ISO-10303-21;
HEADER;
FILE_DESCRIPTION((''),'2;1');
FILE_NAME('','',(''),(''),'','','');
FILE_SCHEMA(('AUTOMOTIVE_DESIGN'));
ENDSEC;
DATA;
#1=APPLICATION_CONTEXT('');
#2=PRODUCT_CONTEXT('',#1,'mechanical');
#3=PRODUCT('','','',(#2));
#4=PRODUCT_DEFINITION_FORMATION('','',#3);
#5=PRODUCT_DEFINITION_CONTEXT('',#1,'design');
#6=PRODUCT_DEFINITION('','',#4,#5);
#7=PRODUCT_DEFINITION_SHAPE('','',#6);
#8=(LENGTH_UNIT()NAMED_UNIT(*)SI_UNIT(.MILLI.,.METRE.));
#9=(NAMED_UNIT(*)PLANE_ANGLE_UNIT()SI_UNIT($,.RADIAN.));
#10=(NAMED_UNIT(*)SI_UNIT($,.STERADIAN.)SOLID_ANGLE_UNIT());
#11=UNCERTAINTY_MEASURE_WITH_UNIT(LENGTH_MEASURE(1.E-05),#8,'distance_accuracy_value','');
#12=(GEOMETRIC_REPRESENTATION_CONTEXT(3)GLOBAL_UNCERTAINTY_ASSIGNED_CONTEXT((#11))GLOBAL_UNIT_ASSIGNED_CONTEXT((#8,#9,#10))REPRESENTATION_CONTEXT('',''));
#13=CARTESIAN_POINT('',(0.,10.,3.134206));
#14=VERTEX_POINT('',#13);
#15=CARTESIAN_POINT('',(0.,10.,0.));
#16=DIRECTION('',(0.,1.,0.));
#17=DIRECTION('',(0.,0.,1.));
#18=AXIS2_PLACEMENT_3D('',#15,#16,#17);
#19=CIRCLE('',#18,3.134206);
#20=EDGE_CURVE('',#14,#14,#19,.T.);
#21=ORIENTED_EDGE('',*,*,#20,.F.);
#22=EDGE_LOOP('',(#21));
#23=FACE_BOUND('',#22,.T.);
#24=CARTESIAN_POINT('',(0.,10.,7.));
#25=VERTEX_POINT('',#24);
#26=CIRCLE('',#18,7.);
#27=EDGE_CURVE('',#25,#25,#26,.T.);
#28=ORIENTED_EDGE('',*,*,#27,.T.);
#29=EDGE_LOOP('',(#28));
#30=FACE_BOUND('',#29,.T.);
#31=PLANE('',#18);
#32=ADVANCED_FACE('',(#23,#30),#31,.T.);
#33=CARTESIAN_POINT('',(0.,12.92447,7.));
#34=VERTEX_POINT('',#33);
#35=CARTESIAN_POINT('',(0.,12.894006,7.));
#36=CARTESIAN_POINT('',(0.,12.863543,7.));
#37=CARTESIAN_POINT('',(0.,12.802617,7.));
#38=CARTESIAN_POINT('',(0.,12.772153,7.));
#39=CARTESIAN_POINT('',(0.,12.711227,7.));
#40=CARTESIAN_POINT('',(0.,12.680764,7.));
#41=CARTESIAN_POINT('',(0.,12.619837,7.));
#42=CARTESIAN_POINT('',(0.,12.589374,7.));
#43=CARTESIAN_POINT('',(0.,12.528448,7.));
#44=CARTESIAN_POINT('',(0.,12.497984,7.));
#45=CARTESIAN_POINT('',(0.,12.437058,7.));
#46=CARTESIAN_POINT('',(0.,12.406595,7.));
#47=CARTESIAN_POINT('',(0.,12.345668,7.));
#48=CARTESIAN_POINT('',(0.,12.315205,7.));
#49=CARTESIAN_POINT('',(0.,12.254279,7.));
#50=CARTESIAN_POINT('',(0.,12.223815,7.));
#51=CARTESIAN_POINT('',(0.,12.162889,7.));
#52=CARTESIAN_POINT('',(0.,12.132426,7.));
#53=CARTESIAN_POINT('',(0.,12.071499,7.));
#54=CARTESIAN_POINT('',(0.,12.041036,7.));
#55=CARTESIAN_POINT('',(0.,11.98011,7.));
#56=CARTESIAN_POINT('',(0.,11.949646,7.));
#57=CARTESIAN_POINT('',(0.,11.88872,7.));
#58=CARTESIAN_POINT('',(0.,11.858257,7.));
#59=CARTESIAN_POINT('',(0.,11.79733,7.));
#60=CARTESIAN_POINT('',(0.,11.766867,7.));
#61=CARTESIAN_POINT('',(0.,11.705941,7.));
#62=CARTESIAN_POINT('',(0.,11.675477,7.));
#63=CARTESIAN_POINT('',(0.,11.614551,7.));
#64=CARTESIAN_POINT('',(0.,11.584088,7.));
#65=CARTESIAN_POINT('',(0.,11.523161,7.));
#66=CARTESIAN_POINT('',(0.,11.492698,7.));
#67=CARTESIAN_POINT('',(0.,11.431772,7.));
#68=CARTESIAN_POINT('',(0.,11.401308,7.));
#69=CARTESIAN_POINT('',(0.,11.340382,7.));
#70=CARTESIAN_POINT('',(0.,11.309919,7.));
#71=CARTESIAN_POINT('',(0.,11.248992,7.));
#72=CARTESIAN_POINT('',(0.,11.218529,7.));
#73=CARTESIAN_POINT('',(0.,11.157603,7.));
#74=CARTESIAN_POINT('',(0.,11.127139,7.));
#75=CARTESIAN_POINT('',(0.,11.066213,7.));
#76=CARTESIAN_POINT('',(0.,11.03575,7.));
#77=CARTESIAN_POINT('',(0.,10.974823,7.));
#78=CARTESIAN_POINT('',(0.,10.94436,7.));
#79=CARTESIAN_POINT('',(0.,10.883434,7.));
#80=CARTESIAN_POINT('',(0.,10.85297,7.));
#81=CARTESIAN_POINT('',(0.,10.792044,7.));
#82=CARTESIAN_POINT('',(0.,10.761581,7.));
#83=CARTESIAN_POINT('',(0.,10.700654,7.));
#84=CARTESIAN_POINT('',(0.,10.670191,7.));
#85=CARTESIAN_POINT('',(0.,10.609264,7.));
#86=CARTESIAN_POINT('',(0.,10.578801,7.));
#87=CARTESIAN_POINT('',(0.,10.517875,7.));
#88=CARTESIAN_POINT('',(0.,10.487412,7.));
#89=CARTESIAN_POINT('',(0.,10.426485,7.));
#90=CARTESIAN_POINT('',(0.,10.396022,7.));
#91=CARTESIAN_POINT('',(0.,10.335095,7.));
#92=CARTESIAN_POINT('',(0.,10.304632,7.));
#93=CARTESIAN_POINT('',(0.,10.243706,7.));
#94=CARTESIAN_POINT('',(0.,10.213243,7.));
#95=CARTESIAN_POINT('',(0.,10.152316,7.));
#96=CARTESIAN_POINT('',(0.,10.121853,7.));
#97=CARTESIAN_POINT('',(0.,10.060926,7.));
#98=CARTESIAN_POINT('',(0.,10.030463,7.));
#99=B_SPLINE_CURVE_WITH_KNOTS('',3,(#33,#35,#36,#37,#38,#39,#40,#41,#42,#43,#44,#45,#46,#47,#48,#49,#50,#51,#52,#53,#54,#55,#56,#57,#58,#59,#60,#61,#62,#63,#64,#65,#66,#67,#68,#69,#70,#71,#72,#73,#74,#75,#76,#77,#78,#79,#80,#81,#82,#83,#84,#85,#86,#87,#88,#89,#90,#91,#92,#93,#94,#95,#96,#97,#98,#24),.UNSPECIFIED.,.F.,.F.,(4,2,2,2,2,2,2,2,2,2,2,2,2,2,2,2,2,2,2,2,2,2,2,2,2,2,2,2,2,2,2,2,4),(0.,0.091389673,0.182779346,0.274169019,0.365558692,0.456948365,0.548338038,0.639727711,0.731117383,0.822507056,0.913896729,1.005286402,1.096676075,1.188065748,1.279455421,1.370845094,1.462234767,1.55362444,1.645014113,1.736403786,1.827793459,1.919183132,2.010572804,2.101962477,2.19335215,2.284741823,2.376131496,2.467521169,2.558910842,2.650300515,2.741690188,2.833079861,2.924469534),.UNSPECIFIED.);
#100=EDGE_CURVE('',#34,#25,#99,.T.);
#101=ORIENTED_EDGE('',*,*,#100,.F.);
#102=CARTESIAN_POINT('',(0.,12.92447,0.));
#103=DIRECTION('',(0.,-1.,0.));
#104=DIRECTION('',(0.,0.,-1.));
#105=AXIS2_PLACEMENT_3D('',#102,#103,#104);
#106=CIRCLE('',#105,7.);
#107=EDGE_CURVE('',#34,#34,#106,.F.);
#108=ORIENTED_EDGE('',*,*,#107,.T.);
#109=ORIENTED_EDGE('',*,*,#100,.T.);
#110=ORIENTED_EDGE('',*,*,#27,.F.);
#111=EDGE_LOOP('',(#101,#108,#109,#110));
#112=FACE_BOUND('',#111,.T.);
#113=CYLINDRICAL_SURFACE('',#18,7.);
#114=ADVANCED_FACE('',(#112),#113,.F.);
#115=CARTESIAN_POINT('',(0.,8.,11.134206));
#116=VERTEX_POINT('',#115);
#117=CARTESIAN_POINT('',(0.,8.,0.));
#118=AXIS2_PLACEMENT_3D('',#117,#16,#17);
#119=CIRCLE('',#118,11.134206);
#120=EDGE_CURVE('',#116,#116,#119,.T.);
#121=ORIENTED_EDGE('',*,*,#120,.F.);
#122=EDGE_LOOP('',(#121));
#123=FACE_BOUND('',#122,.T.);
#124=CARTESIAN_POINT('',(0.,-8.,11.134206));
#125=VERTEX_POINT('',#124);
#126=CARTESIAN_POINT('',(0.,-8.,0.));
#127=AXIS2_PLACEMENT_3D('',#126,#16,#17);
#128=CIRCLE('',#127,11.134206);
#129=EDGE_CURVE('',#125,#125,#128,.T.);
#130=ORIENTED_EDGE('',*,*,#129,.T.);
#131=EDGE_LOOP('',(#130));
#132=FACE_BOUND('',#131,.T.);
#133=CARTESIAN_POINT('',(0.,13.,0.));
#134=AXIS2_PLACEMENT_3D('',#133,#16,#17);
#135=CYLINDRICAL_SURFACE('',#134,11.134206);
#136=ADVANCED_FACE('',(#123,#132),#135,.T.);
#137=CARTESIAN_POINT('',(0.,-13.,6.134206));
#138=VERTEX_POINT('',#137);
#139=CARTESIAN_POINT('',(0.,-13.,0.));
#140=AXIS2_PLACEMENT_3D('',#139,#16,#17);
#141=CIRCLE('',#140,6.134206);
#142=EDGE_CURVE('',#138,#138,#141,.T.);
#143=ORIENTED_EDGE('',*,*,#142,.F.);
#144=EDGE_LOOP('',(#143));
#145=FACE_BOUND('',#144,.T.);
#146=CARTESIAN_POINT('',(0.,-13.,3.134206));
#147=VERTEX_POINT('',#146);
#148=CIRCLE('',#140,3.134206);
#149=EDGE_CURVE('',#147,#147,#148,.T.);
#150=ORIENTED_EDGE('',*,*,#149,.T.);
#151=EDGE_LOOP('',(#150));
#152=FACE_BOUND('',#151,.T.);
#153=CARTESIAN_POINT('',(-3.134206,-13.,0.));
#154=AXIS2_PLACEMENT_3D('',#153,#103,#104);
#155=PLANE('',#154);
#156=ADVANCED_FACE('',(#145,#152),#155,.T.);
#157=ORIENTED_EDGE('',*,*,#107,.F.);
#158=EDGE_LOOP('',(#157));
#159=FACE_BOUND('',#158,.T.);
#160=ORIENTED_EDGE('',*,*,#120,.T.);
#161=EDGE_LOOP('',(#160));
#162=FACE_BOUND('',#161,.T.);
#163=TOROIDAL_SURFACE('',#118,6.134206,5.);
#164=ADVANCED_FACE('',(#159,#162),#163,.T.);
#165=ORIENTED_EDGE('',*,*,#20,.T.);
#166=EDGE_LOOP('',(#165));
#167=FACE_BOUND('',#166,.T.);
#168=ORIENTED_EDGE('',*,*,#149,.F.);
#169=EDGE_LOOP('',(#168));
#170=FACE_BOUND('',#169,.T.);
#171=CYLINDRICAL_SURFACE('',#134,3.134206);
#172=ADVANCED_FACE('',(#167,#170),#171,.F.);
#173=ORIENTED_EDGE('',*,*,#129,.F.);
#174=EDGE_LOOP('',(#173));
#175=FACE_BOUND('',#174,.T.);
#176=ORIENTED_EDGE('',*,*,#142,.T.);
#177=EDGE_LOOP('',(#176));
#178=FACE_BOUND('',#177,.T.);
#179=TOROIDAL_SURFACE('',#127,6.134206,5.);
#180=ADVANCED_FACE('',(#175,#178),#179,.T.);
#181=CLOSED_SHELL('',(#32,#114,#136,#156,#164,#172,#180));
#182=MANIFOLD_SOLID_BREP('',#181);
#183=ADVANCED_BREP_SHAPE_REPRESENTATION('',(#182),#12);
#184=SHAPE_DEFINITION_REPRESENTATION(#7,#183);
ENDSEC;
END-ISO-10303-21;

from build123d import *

# Parameters (mm, degrees)
CORTAR_EXTRUIR1_START = -13
CROQUIS3_R            = 7
CROQUIS3_R_2          = 3.134205676
CORTAR_EXTRUIR1_DEPTH = 13


with BuildPart() as part:
    # Croquis1 → Revolución1 (revolve)
    with BuildSketch(Plane.XY, mode=Mode.PRIVATE) as revoluci_n1_sk:
        with BuildLine():
            Line((-3.134205676, -13), (-6.134205676, -13))
            ThreePointArc((-6.134205676, -13), (-9.669739582, -11.535533906), (-11.134205676, -8))
            Line((-11.134205676, -8), (-11.134205676, 8))
            ThreePointArc((-11.134205676, 8), (-9.669739582, 11.535533906), (-6.134205676, 13))
            Line((-6.134205676, 13), (-3.134205676, 13))
            Line((-3.134205676, 13), (-3.134205676, -13))
        make_face()
    revolve(revoluci_n1_sk.sketch.rotate(Axis((0, 13, 0), (0, -1, 0)), 270), axis=Axis((0, 13, 0), (0, -1, 0)))

    # Croquis3 → Cortar-Extruir1 (cut)
    with BuildSketch(Plane(origin=(0, 23, 0), x_dir=(1, 0, 0), z_dir=(0, 1, 0)).offset(CORTAR_EXTRUIR1_START)):
        with Locations(Location((0, 0, 0), (0, 0, 270))):
            Circle(CROQUIS3_R)
        with Locations(Location((0, 0, 0), (0, 0, 270))):
            Circle(CROQUIS3_R_2, mode=Mode.SUBTRACT)
    extrude(amount=CORTAR_EXTRUIR1_DEPTH, mode=Mode.SUBTRACT)


solid = part.part
